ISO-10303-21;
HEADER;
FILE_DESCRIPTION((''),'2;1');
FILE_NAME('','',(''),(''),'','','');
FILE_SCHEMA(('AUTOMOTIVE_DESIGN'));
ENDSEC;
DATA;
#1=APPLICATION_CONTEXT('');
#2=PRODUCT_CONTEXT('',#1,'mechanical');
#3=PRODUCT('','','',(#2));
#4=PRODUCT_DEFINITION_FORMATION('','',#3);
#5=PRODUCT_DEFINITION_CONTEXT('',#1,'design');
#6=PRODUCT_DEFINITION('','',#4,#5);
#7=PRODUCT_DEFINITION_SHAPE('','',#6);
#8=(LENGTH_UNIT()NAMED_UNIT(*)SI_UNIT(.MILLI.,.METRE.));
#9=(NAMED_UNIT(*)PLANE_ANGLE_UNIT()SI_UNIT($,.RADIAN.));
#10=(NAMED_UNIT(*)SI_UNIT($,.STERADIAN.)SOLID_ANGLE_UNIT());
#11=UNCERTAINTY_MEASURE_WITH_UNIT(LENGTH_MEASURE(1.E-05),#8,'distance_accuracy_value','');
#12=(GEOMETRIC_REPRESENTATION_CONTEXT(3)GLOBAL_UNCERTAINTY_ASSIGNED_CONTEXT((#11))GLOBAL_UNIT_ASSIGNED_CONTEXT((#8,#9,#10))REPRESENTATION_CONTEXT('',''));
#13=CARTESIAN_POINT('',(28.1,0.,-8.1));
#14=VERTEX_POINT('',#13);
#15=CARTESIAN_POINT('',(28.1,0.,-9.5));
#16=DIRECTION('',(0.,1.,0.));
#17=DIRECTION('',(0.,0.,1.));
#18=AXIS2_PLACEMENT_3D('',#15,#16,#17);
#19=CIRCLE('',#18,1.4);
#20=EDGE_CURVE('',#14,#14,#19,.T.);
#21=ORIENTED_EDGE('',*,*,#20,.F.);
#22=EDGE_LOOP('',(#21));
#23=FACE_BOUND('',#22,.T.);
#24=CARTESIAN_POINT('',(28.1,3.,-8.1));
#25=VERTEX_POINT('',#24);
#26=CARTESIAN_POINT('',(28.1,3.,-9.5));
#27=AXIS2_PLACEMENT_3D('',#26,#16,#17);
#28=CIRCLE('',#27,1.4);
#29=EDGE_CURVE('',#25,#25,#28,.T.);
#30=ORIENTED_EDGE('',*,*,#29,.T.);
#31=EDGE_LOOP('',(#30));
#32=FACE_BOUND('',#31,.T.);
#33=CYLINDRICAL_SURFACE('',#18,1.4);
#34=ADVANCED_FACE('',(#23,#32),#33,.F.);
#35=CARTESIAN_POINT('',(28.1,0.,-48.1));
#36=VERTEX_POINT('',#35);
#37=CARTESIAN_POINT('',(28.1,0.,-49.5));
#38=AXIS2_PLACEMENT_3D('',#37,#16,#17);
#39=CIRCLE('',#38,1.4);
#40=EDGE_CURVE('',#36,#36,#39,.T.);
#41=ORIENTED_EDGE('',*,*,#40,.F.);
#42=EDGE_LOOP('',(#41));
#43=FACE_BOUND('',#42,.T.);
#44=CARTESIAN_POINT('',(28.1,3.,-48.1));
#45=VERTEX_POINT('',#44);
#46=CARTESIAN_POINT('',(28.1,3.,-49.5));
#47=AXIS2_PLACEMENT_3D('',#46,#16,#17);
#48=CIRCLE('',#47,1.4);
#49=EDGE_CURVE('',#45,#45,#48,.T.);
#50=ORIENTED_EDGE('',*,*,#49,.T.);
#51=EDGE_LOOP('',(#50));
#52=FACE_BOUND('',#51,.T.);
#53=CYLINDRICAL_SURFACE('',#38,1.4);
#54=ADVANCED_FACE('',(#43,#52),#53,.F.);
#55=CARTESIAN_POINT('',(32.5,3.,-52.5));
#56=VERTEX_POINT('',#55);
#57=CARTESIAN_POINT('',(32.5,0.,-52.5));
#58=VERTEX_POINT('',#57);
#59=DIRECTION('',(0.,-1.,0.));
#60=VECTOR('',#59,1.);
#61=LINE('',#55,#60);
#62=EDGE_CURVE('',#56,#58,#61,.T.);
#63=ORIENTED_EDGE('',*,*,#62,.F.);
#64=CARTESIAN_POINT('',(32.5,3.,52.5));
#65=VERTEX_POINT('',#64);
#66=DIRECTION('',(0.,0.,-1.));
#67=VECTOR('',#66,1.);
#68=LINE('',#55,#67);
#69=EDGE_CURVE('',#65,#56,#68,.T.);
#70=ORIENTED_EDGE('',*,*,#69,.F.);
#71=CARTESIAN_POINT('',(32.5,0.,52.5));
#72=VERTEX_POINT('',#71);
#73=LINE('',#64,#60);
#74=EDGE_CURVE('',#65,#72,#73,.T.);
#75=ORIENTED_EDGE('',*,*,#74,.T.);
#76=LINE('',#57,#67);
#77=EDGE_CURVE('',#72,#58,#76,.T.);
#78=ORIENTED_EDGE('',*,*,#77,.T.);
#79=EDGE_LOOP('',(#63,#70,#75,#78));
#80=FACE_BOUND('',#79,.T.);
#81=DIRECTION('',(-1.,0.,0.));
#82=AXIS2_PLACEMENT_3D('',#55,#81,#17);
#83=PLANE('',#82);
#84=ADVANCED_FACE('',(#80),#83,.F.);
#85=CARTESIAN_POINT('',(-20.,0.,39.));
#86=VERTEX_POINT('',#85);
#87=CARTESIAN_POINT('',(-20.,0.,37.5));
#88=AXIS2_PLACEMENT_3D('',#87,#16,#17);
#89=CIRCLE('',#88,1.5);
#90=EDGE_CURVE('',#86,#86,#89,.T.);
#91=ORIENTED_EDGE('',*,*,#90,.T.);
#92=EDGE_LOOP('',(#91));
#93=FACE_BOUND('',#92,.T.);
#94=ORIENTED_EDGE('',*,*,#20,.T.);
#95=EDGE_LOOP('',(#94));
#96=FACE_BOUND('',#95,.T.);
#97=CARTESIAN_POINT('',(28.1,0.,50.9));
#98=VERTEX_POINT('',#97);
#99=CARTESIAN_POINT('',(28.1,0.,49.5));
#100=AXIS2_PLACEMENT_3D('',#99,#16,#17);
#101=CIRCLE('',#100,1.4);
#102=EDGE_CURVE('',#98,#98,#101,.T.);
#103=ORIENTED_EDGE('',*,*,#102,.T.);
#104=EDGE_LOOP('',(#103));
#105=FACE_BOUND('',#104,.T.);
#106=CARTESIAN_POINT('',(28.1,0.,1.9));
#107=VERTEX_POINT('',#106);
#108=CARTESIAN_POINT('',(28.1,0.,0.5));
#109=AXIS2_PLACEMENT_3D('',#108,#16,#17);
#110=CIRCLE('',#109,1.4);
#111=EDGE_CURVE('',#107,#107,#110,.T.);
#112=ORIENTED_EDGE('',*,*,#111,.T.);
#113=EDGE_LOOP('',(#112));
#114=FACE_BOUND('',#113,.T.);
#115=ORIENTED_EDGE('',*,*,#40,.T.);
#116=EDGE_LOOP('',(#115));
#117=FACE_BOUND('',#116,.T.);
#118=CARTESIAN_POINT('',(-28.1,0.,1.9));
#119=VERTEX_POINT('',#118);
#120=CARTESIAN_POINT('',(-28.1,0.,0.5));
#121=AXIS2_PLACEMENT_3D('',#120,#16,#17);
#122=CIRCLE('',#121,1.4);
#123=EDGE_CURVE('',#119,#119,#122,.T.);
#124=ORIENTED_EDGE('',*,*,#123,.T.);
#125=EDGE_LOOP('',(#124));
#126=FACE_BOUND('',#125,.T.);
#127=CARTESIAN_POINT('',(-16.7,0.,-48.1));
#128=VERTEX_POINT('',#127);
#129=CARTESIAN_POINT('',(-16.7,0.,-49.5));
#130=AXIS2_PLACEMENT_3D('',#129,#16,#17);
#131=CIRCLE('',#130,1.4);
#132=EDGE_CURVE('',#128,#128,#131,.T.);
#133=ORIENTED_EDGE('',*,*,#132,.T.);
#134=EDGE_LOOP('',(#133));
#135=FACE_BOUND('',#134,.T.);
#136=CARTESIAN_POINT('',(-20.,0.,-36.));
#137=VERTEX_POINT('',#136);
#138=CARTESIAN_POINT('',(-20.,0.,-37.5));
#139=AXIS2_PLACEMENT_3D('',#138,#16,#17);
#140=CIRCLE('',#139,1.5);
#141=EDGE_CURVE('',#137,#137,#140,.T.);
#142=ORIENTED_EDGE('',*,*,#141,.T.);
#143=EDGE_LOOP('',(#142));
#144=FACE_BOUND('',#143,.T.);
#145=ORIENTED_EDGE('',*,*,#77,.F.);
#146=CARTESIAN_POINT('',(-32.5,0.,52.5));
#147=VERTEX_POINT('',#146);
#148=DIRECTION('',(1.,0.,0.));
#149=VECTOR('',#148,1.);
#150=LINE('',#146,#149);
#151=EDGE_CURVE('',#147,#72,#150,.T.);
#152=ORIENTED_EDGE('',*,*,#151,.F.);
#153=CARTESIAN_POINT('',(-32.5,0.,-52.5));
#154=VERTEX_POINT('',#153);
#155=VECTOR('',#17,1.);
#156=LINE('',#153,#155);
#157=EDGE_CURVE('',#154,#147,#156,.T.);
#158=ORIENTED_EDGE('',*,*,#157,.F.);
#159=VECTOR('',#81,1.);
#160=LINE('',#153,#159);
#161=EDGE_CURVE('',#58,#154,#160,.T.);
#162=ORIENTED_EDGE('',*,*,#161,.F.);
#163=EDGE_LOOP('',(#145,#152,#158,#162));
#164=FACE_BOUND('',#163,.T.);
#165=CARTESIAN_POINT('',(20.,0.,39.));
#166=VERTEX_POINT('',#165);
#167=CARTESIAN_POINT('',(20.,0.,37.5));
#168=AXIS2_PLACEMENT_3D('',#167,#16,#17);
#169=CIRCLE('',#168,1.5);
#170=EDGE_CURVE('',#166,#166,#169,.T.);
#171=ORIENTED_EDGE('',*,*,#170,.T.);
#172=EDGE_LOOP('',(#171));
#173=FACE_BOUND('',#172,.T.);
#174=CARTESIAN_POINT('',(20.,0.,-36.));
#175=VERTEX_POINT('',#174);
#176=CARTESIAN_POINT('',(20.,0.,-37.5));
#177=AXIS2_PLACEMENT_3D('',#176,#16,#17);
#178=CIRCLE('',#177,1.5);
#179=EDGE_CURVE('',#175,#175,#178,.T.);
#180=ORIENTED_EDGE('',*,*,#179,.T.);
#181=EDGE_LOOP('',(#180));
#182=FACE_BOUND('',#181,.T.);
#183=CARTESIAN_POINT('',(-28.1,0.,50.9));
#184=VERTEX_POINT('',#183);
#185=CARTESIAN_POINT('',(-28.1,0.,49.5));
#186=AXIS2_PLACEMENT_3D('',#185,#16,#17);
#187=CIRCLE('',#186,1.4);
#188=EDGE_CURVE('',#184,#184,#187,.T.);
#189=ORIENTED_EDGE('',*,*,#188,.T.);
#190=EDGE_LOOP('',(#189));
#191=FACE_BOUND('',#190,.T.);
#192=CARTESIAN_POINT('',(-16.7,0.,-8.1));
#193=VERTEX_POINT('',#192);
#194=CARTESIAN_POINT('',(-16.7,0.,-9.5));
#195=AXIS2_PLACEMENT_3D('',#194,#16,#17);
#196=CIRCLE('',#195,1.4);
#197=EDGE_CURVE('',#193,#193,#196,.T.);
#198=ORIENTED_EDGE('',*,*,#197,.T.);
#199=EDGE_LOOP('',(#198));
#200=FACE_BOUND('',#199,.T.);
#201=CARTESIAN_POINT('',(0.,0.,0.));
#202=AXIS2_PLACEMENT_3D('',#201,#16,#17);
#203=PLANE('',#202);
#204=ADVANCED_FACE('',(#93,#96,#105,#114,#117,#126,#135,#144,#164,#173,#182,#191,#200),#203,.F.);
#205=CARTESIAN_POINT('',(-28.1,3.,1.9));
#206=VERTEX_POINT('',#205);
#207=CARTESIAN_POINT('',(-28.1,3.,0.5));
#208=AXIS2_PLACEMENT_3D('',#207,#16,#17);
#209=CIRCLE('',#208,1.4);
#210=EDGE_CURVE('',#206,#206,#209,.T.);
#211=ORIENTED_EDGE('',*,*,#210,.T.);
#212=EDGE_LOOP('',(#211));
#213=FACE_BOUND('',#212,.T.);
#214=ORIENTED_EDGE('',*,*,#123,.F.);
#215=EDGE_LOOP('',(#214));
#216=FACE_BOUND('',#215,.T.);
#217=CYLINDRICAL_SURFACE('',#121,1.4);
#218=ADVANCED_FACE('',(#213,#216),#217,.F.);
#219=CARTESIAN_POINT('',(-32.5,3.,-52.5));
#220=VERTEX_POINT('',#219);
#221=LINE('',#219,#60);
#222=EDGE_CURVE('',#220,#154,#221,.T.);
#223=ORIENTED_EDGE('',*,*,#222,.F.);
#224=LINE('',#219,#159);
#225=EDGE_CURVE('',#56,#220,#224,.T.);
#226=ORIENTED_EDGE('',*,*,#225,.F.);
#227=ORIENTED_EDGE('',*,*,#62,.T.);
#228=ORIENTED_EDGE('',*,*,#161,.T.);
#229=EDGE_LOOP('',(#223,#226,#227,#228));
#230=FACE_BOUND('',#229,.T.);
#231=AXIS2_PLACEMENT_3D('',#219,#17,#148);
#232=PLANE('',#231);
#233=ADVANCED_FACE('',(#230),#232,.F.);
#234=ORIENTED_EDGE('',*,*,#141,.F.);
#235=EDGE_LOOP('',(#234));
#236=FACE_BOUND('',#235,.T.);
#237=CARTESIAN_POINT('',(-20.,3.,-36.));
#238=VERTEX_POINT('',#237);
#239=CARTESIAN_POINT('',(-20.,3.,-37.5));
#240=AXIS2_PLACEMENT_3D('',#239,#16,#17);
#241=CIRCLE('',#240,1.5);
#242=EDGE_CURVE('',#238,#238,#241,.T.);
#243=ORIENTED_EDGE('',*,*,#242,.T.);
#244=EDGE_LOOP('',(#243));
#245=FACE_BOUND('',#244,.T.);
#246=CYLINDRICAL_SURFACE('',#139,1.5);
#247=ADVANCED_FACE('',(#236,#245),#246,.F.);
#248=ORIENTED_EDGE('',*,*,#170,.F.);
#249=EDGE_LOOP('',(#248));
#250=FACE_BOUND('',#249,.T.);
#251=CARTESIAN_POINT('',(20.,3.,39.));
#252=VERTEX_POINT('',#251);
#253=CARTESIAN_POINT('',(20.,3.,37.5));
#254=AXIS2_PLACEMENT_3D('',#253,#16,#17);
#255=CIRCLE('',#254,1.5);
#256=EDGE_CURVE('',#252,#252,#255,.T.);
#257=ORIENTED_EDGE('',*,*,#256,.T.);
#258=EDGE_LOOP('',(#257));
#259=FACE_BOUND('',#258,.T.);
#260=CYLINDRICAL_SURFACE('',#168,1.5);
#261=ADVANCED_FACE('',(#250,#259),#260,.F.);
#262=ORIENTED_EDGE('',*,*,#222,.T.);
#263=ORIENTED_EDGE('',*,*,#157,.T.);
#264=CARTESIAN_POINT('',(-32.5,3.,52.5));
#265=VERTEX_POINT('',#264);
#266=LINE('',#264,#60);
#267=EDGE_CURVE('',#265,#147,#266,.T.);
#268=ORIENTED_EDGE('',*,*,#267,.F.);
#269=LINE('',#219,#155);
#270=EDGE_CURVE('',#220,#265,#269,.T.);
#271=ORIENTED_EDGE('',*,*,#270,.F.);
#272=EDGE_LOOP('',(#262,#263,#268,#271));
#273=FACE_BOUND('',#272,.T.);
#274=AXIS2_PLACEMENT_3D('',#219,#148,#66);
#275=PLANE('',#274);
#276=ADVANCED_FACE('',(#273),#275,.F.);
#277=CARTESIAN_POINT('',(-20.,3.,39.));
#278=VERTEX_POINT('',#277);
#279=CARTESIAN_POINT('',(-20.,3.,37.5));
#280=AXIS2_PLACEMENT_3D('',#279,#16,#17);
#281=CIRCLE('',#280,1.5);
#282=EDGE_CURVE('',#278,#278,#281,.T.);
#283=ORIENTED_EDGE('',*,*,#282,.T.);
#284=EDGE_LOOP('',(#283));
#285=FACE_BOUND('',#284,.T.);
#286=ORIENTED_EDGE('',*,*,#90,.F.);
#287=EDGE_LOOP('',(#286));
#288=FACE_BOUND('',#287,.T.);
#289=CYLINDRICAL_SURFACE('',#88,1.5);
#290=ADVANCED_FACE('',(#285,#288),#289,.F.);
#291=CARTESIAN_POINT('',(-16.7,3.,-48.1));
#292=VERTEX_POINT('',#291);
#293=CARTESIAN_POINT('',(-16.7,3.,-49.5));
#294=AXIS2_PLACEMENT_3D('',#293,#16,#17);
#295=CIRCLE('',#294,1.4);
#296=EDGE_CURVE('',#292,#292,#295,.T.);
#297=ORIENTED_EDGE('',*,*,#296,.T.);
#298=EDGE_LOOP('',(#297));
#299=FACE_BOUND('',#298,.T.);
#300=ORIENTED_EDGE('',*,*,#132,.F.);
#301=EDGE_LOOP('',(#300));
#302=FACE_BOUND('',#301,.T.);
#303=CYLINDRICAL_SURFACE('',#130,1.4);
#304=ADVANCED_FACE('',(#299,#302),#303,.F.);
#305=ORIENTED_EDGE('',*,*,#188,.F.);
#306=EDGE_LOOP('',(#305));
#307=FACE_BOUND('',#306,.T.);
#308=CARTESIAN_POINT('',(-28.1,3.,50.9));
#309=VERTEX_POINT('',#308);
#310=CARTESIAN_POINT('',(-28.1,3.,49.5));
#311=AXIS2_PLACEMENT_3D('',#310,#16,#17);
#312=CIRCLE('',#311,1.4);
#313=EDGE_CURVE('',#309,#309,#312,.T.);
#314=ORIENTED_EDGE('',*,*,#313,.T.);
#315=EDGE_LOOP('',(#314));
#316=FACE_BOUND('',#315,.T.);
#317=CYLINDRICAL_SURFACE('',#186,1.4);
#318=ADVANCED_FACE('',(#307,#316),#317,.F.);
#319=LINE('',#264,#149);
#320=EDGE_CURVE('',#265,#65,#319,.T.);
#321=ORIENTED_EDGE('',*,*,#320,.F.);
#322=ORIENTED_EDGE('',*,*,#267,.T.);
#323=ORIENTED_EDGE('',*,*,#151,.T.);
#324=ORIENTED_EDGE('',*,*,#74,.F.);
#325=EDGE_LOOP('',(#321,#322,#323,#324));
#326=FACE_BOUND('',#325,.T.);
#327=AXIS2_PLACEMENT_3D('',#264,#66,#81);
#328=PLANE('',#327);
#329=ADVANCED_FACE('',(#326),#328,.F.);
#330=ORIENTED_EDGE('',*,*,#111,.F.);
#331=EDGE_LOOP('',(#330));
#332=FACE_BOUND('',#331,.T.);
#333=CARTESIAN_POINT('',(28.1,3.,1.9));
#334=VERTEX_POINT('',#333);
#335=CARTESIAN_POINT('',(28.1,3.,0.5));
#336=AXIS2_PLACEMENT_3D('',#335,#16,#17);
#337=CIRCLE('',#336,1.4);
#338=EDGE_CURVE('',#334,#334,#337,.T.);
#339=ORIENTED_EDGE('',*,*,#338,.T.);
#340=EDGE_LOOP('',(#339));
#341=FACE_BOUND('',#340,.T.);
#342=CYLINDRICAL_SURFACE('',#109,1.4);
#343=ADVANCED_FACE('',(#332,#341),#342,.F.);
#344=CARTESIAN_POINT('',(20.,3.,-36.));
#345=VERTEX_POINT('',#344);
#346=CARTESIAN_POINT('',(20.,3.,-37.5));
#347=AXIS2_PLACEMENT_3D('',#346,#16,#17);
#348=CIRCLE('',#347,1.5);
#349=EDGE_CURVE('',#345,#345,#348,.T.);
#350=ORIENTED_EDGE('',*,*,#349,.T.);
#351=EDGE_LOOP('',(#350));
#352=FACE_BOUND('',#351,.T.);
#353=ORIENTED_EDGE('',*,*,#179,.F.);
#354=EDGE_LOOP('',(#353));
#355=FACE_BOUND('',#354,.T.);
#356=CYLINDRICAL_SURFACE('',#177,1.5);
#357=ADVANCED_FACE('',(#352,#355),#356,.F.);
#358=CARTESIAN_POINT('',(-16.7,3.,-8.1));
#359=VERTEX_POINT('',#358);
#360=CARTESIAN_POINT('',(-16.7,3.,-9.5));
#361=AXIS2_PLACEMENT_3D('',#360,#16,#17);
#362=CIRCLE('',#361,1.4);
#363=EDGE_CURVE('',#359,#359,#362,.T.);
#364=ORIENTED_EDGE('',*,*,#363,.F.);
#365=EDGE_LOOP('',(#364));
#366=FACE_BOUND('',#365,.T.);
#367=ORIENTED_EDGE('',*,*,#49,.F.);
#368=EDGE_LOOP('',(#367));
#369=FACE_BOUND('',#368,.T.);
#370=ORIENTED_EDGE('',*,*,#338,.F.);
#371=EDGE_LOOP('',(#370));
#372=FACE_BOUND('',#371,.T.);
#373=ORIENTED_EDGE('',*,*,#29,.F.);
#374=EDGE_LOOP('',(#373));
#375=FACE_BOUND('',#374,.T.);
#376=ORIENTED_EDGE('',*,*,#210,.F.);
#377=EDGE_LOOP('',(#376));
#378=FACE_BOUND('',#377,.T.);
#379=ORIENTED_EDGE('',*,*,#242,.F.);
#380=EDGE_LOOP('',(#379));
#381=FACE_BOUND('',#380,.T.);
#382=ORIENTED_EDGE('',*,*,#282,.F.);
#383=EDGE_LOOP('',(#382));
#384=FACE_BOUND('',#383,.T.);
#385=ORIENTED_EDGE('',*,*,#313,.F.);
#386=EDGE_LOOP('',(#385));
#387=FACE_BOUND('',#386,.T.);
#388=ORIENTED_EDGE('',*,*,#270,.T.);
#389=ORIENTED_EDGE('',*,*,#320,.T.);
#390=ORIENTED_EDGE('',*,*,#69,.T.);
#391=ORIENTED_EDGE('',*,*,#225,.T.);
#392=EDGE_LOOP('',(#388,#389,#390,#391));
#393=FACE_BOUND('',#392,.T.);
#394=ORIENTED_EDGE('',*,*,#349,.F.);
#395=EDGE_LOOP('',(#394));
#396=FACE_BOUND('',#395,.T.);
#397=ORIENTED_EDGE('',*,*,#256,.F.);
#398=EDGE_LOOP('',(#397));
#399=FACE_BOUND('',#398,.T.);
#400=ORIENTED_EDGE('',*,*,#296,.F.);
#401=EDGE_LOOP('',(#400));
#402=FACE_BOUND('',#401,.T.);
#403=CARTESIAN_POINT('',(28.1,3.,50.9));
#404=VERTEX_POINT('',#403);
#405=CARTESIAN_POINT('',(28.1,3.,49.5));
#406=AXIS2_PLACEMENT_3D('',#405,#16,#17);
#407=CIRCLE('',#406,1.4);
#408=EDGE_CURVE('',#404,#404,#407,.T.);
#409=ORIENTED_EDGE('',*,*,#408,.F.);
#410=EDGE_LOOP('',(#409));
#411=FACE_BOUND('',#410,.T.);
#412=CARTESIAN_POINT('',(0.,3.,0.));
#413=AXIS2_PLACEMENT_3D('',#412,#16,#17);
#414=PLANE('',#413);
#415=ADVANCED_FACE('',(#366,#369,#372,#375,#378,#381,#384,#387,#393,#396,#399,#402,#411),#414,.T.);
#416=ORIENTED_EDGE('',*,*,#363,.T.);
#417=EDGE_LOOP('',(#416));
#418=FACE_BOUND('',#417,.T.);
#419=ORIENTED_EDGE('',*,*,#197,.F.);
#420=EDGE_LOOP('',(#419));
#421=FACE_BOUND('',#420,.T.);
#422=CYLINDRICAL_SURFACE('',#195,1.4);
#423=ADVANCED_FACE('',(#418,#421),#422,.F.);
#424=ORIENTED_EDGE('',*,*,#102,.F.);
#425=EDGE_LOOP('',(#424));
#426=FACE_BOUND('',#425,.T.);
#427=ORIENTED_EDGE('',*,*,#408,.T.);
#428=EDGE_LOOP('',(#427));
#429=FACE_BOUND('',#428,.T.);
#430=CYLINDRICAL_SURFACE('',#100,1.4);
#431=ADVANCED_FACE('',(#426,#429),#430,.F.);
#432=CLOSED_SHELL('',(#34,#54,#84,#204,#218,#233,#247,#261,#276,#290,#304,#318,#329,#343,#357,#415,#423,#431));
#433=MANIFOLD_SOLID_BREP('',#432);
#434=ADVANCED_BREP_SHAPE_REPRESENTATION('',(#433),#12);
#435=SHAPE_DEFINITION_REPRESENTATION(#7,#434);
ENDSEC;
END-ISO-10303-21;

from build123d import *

# Parameters (mm, degrees)
SKETCH_1_W          = 65
SKETCH_1_H          = 105
EXTRUDE_1_DEPTH     = 3
SKETCH_2_R          = 1.4
CUT_EXTRUDE_1_DEPTH = 62.818282085
SKETCH_3_R          = 1.4
CUT_EXTRUDE_2_DEPTH = 62.818282085
SKETCH_6_R          = 1.5
CUT_EXTRUDE_5_DEPTH = 62.818282085


with BuildPart() as part:
    # 草图1 → 凸台-拉伸1 (new body)
    with BuildSketch(Plane(origin=(0, 0, 0), x_dir=(1, 0, 0), z_dir=(0, 1, 0))):
        Rectangle(SKETCH_1_W, SKETCH_1_H)
    extrude(amount=EXTRUDE_1_DEPTH)

    # 草图2 → 切除-拉伸1 (cut, through all)
    with BuildSketch(Plane(origin=(0, 3, 0), x_dir=(1, 0, 0), z_dir=(0, 1, 0))):
        with Locations(Location((-28.1, -49.5, 0), (0, 0, 270))):
            Circle(SKETCH_2_R)
        with Locations(Location((28.1, -49.5, 0), (0, 0, 270))):
            Circle(SKETCH_2_R)
        with Locations(Location((28.1, -0.5, 0), (0, 0, 270))):
            Circle(SKETCH_2_R)
        with Locations(Location((-28.1, -0.5, 0), (0, 0, 270))):
            Circle(SKETCH_2_R)
    extrude(amount=-CUT_EXTRUDE_1_DEPTH, mode=Mode.SUBTRACT)

    # 草图3 → 切除-拉伸2 (cut, through all)
    with BuildSketch(Plane(origin=(0, 3, 0), x_dir=(1, 0, 0), z_dir=(0, 1, 0))):
        with Locations(Location((-16.7, 9.5, 0), (0, 0, 270))):
            Circle(SKETCH_3_R)
        with Locations(Location((28.1, 9.5, 0), (0, 0, 270))):
            Circle(SKETCH_3_R)
        with Locations(Location((28.1, 49.5, 0), (0, 0, 270))):
            Circle(SKETCH_3_R)
        with Locations(Location((-16.7, 49.5, 0), (0, 0, 270))):
            Circle(SKETCH_3_R)
    extrude(amount=-CUT_EXTRUDE_2_DEPTH, mode=Mode.SUBTRACT)

    # 草图6 → 切除-拉伸5 (cut, through all)
    with BuildSketch(Plane(origin=(0, 3, 0), x_dir=(1, 0, 0), z_dir=(0, 1, 0))):
        with Locations(Location((-20, -37.5, 0), (0, 0, 270))):
            Circle(SKETCH_6_R)
        with Locations(Location((20, -37.5, 0), (0, 0, 270))):
            Circle(SKETCH_6_R)
        with Locations(Location((20, 37.5, 0), (0, 0, 270))):
            Circle(SKETCH_6_R)
        with Locations(Location((-20, 37.5, 0), (0, 0, 270))):
            Circle(SKETCH_6_R)
    extrude(amount=-CUT_EXTRUDE_5_DEPTH, mode=Mode.SUBTRACT)


solid = part.part
